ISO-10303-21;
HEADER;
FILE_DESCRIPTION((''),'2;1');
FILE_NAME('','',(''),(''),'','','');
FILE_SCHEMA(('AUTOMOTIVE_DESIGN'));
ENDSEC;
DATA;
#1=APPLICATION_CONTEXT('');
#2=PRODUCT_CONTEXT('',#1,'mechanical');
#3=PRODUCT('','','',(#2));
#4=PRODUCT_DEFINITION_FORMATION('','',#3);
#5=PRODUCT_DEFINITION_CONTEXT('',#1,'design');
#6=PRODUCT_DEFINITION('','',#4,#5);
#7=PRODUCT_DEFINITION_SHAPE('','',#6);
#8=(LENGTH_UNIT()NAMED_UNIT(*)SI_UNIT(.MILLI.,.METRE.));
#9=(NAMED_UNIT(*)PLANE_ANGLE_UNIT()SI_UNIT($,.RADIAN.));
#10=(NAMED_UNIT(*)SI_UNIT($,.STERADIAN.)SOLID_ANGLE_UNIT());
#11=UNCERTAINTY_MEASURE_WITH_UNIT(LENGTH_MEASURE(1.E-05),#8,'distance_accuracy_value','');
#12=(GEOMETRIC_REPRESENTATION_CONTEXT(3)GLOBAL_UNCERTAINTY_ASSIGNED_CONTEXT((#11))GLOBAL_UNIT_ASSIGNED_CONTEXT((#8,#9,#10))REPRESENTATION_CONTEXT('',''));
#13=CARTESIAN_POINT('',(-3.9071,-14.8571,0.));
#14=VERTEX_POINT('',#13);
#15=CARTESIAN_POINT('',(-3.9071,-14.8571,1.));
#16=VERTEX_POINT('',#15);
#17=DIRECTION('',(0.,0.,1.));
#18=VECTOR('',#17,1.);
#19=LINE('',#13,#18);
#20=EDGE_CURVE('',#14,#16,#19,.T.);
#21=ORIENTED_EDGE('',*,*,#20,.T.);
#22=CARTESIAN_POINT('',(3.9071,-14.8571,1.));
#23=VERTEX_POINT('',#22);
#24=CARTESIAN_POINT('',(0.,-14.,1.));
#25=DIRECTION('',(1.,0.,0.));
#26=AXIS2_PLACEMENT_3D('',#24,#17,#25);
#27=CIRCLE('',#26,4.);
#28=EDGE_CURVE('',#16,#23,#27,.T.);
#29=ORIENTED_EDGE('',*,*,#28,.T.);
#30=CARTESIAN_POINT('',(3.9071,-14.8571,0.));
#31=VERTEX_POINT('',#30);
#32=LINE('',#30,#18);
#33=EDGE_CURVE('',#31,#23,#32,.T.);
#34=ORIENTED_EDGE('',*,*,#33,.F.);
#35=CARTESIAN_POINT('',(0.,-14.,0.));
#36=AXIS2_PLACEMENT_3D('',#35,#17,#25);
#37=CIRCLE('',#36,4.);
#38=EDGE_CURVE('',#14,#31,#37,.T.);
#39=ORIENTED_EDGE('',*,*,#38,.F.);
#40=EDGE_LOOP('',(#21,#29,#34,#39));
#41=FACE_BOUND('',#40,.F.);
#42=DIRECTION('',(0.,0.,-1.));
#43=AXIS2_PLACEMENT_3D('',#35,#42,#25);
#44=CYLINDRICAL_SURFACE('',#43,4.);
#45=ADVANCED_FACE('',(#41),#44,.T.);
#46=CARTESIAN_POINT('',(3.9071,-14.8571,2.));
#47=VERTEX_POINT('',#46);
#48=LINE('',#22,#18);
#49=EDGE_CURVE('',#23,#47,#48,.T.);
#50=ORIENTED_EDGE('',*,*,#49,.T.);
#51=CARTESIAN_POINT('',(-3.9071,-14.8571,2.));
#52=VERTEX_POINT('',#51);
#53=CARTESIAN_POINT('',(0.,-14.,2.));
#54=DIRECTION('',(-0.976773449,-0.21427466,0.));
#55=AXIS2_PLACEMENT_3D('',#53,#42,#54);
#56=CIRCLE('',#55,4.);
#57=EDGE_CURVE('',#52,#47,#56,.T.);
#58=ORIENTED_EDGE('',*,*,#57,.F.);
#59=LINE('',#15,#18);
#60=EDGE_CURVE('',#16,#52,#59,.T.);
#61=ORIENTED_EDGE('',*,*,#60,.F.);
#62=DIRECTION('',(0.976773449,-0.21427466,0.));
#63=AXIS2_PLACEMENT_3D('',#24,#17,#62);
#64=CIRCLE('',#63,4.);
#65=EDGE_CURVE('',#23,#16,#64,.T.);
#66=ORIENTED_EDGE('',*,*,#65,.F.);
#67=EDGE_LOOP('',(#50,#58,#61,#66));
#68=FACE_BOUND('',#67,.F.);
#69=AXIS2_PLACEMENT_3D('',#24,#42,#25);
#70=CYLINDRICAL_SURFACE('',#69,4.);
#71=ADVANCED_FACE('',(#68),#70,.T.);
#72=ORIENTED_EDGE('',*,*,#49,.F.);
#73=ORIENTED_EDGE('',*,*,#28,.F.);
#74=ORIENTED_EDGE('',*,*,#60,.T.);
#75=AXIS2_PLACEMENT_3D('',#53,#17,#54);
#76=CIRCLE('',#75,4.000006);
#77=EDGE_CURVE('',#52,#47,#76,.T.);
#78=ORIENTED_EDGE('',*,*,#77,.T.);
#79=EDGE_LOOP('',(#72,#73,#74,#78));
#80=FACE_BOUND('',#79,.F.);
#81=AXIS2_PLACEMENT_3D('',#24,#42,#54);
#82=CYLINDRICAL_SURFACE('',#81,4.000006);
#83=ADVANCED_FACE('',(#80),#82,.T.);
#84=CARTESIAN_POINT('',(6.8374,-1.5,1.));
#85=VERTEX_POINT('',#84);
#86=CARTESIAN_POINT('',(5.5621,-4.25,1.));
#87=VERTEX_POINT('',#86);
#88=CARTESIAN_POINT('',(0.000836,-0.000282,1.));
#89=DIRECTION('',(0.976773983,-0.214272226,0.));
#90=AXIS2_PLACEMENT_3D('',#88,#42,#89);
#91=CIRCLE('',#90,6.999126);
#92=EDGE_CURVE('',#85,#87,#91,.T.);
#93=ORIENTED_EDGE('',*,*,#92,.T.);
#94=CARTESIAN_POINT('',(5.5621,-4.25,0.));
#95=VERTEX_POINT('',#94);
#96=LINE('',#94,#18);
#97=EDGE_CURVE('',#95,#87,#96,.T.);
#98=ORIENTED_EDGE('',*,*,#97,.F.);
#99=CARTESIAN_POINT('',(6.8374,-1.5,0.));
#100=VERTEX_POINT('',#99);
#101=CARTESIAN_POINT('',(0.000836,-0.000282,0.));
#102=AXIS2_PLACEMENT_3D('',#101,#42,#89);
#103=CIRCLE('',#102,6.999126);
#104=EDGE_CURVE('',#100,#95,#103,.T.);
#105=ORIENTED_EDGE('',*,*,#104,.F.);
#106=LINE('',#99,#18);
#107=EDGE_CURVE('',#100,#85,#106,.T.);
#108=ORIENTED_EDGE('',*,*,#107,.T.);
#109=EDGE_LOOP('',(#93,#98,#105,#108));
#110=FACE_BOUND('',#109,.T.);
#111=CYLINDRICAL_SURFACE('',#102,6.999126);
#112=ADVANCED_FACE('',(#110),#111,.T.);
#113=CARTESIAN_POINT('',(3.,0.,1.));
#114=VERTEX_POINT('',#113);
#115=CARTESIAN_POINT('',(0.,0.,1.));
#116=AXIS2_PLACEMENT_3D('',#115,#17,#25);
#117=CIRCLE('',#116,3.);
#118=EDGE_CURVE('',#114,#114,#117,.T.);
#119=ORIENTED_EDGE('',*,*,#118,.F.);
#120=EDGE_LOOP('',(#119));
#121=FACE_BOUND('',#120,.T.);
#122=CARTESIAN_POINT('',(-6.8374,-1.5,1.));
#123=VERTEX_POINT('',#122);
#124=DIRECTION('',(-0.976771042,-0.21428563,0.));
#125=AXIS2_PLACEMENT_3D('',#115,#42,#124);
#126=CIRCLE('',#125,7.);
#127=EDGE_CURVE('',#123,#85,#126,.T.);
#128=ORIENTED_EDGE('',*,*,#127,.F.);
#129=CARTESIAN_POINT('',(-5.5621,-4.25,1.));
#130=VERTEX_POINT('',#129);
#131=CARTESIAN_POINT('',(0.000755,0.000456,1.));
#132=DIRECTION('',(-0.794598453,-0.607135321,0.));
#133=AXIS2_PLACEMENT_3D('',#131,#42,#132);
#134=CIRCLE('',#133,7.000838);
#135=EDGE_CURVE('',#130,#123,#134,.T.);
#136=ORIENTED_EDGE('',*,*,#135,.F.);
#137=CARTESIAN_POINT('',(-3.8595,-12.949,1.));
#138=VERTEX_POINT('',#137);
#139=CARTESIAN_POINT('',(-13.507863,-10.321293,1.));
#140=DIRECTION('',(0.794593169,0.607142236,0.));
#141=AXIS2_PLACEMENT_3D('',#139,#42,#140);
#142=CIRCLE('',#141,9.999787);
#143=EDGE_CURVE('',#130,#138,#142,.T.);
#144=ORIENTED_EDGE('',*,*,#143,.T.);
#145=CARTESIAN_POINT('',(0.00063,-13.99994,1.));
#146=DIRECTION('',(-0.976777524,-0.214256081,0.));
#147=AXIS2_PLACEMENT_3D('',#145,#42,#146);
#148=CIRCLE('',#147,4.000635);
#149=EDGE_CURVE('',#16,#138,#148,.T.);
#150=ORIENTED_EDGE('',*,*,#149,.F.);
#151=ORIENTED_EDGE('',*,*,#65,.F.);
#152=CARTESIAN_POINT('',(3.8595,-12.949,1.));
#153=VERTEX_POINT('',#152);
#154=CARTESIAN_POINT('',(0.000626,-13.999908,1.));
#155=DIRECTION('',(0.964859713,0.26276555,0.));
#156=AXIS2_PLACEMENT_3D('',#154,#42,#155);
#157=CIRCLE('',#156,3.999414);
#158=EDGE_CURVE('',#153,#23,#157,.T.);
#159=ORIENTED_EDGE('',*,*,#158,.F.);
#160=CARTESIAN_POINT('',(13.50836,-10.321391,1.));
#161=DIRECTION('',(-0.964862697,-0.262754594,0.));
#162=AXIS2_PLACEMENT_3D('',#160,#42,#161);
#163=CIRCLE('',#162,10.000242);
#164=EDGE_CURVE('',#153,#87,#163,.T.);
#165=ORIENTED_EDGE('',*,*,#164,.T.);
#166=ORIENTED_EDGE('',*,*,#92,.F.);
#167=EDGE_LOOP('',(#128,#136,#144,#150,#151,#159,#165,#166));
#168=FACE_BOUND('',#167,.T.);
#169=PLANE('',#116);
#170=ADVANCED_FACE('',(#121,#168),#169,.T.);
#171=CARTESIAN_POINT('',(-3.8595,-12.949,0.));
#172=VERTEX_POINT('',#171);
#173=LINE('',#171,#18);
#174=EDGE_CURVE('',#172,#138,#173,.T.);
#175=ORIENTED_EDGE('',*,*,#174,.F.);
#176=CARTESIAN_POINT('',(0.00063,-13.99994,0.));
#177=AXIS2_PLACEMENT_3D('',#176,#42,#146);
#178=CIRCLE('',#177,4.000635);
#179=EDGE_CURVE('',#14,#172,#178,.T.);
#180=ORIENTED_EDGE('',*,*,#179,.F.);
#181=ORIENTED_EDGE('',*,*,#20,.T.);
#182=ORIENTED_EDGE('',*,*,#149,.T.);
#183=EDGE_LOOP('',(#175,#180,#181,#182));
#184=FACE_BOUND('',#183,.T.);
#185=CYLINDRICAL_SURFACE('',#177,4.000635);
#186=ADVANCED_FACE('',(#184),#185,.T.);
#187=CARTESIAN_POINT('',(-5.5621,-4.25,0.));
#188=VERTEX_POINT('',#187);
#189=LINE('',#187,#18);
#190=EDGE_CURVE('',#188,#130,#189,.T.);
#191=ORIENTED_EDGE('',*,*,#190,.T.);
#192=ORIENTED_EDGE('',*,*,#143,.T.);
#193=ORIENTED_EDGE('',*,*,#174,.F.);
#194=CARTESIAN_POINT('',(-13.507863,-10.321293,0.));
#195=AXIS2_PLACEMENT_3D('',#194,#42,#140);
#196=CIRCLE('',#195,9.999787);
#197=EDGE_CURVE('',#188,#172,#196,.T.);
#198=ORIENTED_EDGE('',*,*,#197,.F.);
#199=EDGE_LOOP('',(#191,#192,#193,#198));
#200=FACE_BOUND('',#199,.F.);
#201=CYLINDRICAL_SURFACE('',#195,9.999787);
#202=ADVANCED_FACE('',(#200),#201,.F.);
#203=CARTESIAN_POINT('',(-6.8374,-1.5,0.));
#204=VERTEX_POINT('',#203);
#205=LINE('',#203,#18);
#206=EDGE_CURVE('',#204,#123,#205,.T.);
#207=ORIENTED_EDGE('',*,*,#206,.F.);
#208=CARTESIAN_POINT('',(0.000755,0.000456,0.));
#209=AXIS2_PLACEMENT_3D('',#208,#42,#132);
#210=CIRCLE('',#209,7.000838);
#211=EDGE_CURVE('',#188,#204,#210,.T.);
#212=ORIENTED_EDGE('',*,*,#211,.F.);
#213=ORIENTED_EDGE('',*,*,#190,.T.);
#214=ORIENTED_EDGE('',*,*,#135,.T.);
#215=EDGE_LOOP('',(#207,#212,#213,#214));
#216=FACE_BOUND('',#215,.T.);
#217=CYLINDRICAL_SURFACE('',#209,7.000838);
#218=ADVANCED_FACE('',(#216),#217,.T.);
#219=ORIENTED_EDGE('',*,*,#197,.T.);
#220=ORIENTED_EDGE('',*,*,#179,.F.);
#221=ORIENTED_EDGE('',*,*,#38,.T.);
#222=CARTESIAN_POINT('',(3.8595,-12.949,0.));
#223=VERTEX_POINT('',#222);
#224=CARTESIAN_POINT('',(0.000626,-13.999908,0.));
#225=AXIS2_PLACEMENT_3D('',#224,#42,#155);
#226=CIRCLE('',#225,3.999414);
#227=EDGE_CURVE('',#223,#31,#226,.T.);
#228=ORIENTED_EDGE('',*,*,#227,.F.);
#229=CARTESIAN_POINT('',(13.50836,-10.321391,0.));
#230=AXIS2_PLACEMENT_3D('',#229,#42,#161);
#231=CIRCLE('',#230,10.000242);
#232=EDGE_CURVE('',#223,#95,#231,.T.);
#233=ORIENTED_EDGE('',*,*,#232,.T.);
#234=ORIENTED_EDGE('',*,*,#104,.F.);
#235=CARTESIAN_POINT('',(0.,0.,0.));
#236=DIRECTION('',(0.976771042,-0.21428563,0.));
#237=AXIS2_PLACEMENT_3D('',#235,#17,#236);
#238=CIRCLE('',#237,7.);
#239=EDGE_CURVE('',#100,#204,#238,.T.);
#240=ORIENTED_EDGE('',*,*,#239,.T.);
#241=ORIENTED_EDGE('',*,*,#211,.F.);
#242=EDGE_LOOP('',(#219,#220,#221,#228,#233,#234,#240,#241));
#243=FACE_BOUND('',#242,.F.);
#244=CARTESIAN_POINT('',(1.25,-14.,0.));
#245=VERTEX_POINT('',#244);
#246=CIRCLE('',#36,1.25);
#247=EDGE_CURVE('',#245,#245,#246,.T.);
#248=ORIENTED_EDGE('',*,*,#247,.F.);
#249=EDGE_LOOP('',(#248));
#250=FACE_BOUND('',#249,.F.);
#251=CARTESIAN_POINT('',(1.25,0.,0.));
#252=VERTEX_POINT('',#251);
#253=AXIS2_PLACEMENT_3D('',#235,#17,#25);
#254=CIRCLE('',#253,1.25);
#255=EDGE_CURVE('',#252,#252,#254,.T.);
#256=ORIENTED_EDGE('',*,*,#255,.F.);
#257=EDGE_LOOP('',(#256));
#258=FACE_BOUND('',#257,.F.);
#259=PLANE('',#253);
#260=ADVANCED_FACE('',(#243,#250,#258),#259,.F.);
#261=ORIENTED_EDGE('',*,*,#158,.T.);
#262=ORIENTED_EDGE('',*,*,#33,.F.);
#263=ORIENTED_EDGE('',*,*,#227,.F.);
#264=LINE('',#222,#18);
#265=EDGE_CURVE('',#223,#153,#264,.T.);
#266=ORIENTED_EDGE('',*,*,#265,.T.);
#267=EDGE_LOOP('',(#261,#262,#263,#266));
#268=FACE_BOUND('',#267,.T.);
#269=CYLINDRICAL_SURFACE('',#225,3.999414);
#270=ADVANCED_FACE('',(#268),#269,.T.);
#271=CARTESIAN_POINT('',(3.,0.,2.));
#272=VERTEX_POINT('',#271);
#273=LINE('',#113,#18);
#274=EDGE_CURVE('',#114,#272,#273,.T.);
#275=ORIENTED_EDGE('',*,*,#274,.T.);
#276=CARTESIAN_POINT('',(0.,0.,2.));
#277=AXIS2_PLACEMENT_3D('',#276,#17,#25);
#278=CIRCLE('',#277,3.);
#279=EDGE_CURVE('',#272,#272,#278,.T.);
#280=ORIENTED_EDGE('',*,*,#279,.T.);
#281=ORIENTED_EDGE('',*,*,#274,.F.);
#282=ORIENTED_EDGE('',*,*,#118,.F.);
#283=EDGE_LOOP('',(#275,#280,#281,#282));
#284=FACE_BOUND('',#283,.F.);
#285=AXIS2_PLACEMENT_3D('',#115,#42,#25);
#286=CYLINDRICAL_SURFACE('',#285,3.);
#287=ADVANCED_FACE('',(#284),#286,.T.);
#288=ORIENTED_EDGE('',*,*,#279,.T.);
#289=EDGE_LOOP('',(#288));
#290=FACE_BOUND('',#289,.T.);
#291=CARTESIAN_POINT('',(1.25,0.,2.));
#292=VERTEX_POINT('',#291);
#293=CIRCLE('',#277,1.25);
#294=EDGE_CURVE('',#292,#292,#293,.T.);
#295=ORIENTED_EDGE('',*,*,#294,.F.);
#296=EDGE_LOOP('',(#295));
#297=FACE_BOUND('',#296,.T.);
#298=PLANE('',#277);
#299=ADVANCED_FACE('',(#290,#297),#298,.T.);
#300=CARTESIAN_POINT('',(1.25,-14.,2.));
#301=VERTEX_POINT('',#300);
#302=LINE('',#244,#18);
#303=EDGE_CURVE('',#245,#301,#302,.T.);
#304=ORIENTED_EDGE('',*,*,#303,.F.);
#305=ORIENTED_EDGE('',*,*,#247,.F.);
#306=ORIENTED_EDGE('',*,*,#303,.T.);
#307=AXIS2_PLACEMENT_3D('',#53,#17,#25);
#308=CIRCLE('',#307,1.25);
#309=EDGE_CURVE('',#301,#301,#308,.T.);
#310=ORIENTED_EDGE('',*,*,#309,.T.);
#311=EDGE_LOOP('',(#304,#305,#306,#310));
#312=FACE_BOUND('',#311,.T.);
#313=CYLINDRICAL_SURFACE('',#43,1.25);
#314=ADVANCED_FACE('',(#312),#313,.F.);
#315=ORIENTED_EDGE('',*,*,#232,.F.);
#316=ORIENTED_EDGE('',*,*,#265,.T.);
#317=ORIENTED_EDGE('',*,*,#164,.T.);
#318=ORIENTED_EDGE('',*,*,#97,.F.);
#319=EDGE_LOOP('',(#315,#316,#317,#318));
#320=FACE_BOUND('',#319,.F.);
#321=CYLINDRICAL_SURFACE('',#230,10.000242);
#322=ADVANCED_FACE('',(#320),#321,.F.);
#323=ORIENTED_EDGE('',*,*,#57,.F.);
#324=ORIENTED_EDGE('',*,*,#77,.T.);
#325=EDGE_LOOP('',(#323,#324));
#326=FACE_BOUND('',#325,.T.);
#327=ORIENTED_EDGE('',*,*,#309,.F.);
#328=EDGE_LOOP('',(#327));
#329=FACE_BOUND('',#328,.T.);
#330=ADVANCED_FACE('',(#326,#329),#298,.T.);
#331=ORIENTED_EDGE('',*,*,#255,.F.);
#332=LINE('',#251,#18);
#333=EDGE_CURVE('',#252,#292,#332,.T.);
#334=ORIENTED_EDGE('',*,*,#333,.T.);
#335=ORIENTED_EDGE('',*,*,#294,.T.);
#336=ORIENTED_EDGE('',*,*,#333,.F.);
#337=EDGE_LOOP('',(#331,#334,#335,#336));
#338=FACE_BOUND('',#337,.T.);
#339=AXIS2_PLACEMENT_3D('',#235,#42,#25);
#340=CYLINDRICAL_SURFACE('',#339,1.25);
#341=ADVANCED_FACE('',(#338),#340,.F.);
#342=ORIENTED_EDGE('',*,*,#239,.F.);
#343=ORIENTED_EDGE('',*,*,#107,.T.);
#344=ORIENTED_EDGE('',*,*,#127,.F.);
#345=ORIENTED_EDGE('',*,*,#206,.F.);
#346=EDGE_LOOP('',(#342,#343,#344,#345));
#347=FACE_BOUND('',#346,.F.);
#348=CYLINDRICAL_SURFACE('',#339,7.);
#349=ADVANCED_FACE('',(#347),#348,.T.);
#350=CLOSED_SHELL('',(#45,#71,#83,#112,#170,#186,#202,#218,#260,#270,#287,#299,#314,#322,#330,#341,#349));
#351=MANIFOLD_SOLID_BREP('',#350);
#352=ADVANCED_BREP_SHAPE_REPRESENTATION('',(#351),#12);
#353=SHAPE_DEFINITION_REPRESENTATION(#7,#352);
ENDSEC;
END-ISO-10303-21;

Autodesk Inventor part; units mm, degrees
ref_plane "YZ Plane" through (0, 0, 0) normal (1, 0, 0) x (0, 1, 0)
ref_plane "XZ Plane" through (0, 0, 0) normal (0, 1, 0) x (-1, 0, 0)
ref_plane "XY Plane" through (0, 0, 0) normal (0, 0, 1) x (1, 0, 0)
sketch "スケッチ1" plane through (0, 0, 0) normal (0, 0, 1) x (1, 0, 0)
  circle A0 centre (0, 0) radius 7
  circle A1 centre (0, -14) radius 4
  line L0 (-6.8374, -1.5) -> (-3.9071, -14.8571)
  line L1 (6.8374, -1.5) -> (3.9071, -14.8571)
  circle A2 centre (0, 0) radius 1.25
  circle A3 centre (0, -14) radius 1.25
  dimension "d0" = 14
  dimension "d1" = 8
  dimension "d2" = 14
  dimension "d3" = 2.5
  dimension "d4" = 2.5
extrude "押し出し1" add sketch "スケッチ1" along normal blind 1
sketch "スケッチ2" plane through (0, 0, 1) normal (0, 0, 1) x (1, 0, 0)
  circle A0 centre (0, 0) radius 3
  circle A1 centre (0, 0) radius 1.25 projected
  circle A2 centre (0, -14) radius 1.25 projected
  arc A3 (-3.9071, -14.8571) -> (3.9071, -14.8571) centre (0, -14) ccw projected
  line L0 (3.9071, -14.8571) -> (6.8374, -1.5) projected
  arc A4 (6.8374, -1.5) -> (-6.8374, -1.5) centre (0, 0) ccw projected
  line L1 (-6.8374, -1.5) -> (-3.9071, -14.8571) projected
  circle A5 centre (0, -14) radius 4
  dimension "d7" = 6
  dimension "d8" = 8
extrude "押し出し2" add sketch "スケッチ2" along normal blind 1 contours A0 | A5 A3
sketch "スケッチ4" plane through (0, 0, 0) normal (0, 0, -1) x (-1, 0, 0)
  circle A0 centre (0, 0) radius 1.25 projected
  circle A1 centre (0, -14) radius 1.25 projected
  arc A2 (-6.8374, -1.5) -> (-5.5621, -4.25) centre (0, 0) ccw
  arc A3 (3.9071, -14.8571) -> (3.8595, -12.949) centre (0, -14) ccw
  arc A4 (-3.8595, -12.949) -> (-5.5621, -4.25) centre (-13.5081, -10.3214) ccw
  arc A5 (5.5621, -4.25) -> (3.8595, -12.949) centre (13.5081, -10.3214) ccw
  line L0 (-3.9071, -14.8571) -> (-6.8374, -1.5) projected
  line L1 (6.8374, -1.5) -> (3.9071, -14.8571) projected
  arc A6 (-5.5621, -4.25) -> (5.5621, -4.25) centre (0, 0) ccw construction
  arc A7 (5.5621, -4.25) -> (6.8374, -1.5) centre (0, 0) ccw
  arc A8 (3.8595, -12.949) -> (-3.8595, -12.949) centre (0, -14) ccw construction
  arc A9 (-3.8595, -12.949) -> (-3.9071, -14.8571) centre (0, -14) ccw
  dimension "d15" = 10
  dimension "d16" = 10
extrude "押し出し3" cut sketch "スケッチ4" against normal blind 10 contours A2 A4 A9 L0 | A3 A5 A7 L1
sketch "スケッチ6" plane through (0, -14, 2) normal (0, 0, 1) x (1, 0, 0)
  arc A0 (-5.8857, 1.6028) -> (-7.2308, 8.475) centre (-13.5081, 3.6786) ccw
  arc A1 (7.2308, 8.475) -> (-7.2308, 8.475) centre (0, 14) ccw
  arc A2 (7.2308, 8.475) -> (5.8857, 1.6028) centre (13.5081, 3.6786) ccw
  arc A3 (-5.8857, 1.6028) -> (-3.8595, 1.051) centre (-4.8726, 1.3269) ccw
  arc A4 (3.8595, 1.051) -> (5.8857, 1.6028) centre (4.8726, 1.3269) ccw
  arc A5 (3.8595, 1.051) -> (-3.8595, 1.051) centre (0, 0) ccw projected
  arc A6 (-3.8595, 1.051) -> (3.8595, 1.051) centre (0, 0) ccw projected
  arc A7 (-3.8595, 1.051) -> (-5.5621, 9.75) centre (-13.5081, 3.6786) ccw projected
  arc A8 (5.5621, 9.75) -> (-5.5621, 9.75) centre (0, 14) ccw projected
  arc A9 (5.5621, 9.75) -> (3.8595, 1.051) centre (13.5081, 3.6786) ccw projected
  circle A10 centre (0, 14) radius 1.25 projected
  circle A11 centre (0, 0) radius 1.25 projected
  circle A12 centre (0, 14) radius 3 projected
properties part number "脚揺動節抑え1" material "アルミニウム 2014-T4"
